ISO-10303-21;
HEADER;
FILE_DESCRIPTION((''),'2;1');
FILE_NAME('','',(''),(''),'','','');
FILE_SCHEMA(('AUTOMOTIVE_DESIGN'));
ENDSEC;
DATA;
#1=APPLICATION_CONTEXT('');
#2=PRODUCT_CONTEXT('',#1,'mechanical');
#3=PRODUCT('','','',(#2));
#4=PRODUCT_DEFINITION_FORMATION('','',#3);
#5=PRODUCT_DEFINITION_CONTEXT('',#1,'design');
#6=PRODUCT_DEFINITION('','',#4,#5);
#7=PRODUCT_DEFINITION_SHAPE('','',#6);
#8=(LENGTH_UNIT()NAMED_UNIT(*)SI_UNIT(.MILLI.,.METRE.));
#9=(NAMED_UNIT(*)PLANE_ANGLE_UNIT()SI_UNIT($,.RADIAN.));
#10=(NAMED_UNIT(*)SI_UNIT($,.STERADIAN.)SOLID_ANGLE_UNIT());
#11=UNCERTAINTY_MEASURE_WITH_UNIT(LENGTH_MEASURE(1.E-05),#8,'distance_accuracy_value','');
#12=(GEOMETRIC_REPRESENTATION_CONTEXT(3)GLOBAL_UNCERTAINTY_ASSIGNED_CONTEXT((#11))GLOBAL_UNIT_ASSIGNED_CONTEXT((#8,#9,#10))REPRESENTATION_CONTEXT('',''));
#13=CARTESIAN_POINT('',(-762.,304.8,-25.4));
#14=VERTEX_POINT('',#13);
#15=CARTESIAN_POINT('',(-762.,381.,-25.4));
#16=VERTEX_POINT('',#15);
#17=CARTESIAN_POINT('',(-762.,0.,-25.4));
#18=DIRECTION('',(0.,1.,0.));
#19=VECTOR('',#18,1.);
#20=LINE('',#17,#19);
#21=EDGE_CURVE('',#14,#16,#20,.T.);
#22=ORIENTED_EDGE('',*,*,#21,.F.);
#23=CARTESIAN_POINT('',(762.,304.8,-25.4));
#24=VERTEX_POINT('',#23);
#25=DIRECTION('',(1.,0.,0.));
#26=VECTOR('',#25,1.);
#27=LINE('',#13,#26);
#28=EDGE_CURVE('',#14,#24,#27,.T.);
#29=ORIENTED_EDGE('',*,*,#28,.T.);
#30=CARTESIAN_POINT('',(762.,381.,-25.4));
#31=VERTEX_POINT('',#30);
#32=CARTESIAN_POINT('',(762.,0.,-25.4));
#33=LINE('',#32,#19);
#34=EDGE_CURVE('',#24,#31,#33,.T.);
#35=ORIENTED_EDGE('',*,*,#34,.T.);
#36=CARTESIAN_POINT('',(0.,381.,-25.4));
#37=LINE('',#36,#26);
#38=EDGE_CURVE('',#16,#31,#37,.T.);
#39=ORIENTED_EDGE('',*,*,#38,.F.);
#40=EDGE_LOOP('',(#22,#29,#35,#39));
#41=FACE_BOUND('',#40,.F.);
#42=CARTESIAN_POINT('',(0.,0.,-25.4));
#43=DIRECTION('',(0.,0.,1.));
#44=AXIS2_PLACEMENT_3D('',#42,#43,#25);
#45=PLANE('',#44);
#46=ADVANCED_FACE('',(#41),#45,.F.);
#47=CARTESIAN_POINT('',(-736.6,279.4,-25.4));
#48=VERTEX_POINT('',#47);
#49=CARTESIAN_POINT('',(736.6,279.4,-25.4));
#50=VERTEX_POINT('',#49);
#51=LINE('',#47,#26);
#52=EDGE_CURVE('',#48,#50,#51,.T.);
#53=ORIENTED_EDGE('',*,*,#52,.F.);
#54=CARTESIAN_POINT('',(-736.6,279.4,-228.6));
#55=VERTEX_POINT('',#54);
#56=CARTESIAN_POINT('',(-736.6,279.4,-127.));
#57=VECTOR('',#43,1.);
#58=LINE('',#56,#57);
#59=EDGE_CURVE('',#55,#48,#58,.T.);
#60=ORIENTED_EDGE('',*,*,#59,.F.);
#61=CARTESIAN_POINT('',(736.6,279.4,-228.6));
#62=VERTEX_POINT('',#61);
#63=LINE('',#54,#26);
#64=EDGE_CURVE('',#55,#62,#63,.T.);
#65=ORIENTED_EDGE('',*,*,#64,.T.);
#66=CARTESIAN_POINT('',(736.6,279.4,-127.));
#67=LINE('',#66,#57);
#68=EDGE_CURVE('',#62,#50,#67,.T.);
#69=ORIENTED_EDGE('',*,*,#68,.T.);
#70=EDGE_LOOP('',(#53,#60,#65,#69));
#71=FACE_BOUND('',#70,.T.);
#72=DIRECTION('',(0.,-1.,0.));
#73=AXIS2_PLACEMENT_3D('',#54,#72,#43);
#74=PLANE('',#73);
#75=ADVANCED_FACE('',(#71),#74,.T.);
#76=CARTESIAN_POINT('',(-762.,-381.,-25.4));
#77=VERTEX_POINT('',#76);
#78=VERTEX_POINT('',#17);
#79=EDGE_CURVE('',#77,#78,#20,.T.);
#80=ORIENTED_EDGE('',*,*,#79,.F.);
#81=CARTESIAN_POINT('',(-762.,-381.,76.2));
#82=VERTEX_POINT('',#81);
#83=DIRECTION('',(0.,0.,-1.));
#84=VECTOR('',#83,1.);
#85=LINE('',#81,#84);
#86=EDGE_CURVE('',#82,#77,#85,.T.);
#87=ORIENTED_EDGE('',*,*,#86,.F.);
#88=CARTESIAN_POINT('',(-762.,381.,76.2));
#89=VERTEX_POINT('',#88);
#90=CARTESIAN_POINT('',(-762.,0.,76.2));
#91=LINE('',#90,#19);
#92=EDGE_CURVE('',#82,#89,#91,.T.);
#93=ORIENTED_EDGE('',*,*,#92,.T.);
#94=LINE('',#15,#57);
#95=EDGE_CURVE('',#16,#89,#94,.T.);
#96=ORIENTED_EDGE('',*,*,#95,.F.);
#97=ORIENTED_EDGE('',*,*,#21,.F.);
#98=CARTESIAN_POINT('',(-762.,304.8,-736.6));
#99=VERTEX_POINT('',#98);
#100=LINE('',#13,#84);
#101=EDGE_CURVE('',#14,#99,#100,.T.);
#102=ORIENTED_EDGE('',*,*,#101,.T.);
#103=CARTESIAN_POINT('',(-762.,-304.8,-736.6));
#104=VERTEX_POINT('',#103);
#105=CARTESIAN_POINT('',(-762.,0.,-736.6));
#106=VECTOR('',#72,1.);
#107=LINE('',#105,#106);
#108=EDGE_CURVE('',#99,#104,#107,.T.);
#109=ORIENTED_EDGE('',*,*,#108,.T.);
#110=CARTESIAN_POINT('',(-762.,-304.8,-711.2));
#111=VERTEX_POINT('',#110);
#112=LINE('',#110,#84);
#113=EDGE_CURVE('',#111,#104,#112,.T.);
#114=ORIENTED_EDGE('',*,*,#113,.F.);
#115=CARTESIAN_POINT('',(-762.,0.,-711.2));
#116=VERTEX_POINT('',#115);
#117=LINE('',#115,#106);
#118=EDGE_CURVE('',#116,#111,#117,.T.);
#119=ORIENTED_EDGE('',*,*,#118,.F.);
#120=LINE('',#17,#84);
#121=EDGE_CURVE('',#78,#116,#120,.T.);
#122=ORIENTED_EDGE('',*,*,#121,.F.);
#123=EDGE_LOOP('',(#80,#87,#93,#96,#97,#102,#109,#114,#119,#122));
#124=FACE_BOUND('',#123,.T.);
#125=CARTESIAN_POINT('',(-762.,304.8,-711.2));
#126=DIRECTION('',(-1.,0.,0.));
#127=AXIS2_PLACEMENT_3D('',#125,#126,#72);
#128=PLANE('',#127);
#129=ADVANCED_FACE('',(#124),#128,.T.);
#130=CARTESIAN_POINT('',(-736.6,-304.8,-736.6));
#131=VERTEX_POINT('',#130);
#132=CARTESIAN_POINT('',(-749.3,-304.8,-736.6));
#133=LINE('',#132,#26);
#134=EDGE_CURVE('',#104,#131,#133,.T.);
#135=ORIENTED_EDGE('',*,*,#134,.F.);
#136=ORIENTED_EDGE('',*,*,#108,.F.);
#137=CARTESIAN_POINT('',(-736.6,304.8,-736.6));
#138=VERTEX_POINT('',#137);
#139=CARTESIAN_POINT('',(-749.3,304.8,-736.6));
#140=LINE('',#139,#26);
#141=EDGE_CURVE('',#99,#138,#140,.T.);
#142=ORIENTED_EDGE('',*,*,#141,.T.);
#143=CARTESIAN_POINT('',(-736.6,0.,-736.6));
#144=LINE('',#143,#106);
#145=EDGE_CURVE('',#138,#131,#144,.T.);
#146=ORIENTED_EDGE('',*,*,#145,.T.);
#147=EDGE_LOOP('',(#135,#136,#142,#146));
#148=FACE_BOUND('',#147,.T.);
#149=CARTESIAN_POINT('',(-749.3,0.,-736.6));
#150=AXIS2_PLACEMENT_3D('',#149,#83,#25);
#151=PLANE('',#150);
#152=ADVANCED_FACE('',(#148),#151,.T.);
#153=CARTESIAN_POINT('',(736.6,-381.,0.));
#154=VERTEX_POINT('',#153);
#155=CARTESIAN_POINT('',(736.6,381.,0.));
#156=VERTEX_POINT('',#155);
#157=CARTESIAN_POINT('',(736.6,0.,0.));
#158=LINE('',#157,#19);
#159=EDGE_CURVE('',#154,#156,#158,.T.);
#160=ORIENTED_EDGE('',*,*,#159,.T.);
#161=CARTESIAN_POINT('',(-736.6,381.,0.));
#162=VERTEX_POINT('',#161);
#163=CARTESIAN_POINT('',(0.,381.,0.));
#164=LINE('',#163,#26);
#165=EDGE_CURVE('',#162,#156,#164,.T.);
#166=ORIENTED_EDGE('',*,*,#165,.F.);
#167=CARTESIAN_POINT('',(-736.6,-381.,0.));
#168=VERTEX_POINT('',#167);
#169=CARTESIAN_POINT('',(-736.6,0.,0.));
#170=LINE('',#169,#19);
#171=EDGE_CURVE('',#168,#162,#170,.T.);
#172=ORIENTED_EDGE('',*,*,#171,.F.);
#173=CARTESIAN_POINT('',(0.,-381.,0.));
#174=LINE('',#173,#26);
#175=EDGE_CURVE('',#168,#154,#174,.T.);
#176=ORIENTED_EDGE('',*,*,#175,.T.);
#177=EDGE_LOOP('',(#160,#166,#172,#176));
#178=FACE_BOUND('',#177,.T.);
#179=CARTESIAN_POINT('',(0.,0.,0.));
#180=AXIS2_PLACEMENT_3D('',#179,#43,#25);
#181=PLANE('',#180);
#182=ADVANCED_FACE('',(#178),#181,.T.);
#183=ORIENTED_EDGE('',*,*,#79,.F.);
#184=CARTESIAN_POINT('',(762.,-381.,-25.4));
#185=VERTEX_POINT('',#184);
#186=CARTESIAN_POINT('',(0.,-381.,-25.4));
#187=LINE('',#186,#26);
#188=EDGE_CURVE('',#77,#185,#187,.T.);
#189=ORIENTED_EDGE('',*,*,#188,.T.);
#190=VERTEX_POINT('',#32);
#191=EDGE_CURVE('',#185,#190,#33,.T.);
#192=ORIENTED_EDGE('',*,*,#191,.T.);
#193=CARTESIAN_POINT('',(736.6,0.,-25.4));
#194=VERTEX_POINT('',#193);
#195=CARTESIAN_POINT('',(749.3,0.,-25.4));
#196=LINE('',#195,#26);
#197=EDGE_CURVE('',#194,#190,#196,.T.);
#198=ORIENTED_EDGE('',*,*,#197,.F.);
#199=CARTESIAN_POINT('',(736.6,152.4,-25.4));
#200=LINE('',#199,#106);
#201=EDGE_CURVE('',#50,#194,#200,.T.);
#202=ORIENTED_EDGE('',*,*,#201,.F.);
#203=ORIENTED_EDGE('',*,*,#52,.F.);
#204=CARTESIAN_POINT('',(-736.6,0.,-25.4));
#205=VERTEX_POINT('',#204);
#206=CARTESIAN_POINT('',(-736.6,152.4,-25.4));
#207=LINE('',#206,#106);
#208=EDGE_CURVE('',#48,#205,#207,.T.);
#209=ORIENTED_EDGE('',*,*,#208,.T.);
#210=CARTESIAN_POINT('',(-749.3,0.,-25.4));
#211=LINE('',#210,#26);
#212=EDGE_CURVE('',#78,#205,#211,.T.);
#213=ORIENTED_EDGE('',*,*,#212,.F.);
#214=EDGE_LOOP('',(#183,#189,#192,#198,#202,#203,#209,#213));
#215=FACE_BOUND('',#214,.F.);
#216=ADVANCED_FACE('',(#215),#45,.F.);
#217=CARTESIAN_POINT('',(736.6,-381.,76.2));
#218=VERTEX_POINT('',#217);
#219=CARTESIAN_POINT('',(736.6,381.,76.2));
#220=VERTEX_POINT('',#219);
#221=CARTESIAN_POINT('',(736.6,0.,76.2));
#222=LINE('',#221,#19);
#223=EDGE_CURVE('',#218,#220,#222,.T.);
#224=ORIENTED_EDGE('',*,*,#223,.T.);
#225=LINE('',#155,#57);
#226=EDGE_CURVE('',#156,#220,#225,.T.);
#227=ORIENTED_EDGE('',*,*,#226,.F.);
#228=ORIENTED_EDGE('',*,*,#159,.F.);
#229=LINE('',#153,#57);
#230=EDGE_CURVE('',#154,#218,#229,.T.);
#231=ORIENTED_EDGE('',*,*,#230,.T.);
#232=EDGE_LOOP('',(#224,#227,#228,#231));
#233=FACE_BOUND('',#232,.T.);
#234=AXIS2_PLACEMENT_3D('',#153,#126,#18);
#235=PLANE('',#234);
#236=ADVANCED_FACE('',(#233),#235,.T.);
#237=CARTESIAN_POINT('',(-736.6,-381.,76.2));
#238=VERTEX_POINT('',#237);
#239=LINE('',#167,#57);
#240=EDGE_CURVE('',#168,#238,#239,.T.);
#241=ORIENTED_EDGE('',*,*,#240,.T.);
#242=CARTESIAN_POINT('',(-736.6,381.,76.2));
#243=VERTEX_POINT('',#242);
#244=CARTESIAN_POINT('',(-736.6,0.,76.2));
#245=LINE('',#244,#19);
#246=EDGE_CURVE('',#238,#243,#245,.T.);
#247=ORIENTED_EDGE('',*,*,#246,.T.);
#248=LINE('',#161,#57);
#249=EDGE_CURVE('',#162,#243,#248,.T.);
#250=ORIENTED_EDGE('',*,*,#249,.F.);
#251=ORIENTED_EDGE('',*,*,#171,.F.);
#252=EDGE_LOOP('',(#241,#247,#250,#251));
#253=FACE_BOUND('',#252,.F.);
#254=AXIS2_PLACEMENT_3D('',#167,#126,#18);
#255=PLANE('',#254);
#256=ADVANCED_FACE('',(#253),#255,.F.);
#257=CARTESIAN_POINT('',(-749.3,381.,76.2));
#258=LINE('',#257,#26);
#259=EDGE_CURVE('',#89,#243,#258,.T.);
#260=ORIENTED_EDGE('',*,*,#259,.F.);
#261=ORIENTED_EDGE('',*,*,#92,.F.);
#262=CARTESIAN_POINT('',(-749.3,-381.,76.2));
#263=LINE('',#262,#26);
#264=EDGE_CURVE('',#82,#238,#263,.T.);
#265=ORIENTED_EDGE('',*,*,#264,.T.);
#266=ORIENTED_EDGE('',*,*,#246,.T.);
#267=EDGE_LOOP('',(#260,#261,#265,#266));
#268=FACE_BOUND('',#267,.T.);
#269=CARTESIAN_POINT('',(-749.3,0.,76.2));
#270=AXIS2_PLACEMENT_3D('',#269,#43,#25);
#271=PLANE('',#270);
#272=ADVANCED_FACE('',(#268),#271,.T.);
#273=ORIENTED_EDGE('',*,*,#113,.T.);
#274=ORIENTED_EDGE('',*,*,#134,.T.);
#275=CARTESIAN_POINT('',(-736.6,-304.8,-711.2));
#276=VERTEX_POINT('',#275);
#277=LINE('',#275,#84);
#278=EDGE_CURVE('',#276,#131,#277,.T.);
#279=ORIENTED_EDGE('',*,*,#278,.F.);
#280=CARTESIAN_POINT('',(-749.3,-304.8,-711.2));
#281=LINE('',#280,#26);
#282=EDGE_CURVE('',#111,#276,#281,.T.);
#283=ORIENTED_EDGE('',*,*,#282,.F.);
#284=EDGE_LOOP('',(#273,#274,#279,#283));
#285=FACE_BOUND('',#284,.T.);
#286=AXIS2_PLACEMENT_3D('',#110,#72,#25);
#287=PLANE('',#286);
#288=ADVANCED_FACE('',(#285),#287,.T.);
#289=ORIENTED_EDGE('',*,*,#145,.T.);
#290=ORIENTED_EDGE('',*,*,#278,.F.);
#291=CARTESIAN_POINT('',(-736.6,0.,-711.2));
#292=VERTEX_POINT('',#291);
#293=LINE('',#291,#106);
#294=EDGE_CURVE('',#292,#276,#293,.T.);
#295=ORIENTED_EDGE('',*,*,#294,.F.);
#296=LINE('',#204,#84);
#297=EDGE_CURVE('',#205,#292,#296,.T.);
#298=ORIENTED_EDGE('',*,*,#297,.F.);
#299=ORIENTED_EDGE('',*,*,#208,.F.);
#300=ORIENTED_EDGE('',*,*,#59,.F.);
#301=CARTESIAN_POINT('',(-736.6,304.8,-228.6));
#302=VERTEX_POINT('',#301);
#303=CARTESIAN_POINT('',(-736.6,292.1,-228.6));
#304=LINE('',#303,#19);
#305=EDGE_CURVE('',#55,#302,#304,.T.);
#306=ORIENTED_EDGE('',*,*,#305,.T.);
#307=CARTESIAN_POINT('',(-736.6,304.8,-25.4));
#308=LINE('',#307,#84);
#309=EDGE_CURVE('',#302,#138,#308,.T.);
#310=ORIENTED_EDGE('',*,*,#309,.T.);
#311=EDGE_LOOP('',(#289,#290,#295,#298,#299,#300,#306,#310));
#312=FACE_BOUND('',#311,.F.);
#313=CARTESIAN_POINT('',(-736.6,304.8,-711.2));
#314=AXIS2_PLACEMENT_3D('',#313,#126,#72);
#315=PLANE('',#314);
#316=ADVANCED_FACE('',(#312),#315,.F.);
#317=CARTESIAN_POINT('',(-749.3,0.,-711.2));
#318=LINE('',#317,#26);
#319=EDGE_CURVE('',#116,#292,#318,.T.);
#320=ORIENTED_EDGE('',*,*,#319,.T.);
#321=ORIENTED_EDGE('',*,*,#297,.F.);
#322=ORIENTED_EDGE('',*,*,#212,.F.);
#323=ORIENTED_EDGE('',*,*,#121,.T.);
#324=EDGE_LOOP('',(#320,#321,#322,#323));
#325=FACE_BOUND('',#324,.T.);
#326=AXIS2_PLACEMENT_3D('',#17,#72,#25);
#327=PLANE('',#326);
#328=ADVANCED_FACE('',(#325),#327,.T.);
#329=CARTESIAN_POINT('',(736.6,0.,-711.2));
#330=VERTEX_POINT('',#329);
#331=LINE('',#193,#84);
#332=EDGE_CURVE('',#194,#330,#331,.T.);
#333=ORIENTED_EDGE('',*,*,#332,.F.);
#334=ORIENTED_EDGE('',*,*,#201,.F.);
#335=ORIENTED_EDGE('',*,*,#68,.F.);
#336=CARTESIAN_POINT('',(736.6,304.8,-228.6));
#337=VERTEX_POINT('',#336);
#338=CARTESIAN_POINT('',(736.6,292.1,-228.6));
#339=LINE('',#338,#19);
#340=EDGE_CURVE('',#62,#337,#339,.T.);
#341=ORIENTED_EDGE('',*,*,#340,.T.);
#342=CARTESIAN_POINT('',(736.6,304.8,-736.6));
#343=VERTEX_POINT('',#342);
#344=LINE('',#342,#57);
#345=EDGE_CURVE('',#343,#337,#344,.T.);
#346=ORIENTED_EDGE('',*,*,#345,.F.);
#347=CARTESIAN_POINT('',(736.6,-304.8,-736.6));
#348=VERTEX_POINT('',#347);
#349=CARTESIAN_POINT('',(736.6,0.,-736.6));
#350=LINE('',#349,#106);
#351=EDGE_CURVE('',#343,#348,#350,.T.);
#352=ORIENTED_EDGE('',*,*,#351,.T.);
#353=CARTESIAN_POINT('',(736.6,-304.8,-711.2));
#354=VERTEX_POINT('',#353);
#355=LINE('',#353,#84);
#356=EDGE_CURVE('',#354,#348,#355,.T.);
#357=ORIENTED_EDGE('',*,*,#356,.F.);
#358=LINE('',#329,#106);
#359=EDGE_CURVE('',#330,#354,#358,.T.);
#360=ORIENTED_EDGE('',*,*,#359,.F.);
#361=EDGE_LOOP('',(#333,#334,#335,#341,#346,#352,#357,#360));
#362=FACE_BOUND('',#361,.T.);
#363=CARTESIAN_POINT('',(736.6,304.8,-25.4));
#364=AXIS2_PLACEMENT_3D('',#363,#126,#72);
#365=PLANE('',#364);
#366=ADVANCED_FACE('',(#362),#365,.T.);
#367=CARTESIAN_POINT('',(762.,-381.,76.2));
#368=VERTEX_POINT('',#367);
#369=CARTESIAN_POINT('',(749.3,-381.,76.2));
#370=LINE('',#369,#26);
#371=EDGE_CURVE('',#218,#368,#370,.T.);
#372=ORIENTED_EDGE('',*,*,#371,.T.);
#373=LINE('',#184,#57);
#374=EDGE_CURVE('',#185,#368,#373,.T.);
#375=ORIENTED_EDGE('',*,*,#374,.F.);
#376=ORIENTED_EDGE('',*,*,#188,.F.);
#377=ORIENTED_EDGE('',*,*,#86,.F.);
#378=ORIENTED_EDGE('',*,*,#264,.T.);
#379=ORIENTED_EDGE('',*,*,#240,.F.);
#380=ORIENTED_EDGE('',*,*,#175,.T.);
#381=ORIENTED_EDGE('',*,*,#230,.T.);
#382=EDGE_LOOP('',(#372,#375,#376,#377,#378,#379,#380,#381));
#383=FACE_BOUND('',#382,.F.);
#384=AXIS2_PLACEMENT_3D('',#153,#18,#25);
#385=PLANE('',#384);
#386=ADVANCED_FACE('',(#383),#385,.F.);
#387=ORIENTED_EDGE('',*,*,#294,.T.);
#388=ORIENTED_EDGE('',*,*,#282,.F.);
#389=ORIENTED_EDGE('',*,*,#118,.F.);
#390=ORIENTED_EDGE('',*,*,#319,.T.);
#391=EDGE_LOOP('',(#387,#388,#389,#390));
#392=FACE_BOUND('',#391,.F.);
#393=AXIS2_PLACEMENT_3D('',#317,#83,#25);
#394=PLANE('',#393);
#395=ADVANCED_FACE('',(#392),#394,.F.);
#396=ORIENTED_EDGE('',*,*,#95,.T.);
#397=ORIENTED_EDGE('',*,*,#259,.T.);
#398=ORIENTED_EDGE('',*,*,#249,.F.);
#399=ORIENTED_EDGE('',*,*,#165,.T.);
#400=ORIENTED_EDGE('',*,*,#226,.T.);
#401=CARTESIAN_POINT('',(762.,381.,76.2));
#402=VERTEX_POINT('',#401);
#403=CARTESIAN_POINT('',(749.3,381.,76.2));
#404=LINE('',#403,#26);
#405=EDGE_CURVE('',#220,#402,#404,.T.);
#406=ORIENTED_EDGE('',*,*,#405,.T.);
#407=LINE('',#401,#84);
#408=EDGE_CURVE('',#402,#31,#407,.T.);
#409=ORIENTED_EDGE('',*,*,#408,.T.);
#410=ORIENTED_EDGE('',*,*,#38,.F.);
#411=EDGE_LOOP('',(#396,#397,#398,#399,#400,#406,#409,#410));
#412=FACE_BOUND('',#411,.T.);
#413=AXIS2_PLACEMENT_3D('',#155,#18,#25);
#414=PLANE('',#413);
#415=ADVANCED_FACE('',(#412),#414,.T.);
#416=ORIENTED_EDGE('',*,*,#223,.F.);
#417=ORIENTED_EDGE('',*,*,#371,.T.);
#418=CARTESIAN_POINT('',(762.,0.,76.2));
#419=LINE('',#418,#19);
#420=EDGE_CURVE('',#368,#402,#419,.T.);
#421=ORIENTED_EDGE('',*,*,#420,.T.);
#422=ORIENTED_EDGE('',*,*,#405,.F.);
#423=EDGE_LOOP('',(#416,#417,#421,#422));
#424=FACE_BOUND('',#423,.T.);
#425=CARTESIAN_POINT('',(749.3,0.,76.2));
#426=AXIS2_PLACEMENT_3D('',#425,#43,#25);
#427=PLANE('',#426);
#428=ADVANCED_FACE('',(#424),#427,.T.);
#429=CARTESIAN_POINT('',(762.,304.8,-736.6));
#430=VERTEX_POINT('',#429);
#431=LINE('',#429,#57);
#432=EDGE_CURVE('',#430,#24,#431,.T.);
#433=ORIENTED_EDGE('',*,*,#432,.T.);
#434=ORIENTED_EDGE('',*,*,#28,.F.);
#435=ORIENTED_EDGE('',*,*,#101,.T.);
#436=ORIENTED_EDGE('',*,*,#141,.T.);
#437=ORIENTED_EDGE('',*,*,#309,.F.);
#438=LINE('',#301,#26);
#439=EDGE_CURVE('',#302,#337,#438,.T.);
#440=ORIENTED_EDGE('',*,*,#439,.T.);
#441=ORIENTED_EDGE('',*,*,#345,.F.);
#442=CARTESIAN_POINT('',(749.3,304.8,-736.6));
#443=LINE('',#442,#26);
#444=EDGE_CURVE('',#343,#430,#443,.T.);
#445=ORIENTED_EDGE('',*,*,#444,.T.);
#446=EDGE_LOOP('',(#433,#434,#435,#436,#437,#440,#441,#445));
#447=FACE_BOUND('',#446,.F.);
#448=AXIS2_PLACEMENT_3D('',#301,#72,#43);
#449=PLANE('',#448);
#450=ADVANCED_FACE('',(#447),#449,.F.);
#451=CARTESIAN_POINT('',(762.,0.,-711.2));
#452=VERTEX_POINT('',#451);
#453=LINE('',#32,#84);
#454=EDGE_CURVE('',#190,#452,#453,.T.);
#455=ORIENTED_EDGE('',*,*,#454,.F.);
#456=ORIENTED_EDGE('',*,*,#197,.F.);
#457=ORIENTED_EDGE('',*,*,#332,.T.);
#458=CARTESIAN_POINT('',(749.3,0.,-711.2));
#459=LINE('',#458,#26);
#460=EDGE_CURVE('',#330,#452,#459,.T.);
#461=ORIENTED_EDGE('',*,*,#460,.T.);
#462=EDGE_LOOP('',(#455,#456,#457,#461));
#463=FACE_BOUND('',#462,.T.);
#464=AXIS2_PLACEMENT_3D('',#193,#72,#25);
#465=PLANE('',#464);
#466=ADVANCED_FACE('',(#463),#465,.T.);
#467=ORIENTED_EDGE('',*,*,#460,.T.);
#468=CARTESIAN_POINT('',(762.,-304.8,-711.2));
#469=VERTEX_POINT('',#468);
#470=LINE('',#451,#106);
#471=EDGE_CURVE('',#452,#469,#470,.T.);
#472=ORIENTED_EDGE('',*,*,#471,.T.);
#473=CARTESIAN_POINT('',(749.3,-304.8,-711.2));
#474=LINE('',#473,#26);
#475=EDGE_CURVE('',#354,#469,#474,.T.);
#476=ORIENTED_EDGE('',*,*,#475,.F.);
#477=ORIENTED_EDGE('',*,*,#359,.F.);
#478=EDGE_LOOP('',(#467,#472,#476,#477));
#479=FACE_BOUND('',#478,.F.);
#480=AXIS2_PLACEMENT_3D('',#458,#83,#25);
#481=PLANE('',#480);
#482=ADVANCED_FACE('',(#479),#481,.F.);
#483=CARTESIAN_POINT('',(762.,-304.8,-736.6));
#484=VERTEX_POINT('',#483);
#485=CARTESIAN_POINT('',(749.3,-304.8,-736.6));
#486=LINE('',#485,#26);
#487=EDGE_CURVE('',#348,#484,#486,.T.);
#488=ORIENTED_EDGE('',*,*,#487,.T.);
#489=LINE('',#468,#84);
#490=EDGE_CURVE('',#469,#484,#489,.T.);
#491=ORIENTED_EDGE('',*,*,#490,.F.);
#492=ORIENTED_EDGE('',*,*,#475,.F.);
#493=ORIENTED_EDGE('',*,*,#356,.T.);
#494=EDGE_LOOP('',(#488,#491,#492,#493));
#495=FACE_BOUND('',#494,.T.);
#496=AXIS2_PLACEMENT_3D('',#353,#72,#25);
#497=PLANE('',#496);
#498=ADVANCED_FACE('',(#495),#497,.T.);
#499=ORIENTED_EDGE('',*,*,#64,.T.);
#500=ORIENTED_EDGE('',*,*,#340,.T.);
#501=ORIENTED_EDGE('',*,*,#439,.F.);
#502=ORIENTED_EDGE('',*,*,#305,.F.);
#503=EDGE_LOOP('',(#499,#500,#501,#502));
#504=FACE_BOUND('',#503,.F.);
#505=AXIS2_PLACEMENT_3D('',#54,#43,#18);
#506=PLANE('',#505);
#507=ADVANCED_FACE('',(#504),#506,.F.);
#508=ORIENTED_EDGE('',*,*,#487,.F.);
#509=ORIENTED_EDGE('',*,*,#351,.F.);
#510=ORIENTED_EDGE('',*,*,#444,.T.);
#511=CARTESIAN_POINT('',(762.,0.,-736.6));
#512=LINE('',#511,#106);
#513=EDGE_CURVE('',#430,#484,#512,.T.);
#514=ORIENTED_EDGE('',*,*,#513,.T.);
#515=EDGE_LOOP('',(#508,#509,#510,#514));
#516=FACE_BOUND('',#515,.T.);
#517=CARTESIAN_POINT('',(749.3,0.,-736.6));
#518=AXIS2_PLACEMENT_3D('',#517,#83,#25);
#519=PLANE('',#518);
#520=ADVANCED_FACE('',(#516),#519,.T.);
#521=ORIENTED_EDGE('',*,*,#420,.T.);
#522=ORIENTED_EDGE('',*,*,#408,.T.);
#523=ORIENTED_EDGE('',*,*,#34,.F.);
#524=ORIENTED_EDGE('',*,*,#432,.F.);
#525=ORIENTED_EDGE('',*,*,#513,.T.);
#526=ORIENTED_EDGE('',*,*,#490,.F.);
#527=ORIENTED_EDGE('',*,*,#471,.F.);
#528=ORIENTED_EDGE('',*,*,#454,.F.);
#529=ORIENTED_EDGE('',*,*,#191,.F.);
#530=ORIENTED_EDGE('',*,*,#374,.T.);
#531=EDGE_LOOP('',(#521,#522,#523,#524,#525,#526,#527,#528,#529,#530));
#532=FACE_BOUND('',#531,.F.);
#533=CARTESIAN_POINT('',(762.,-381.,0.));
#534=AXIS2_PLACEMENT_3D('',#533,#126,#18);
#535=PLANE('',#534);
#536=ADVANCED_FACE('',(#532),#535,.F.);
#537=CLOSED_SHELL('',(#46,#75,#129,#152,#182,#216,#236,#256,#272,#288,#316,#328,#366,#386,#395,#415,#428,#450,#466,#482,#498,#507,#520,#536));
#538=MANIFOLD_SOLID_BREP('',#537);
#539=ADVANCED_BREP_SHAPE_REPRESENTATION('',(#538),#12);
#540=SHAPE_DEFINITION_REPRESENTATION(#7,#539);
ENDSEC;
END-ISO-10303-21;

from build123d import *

# Parameters (mm, degrees)
F0_W      = 1524
F0_H      = 762
F1_DEPTH  = 25.4
F2_W      = 25.4
F2_H      = 304.8
F3_DEPTH  = 685.8
F5_W      = 25.4
F5_H      = 609.6
F4_W      = 25.4
F4_H      = 609.6
F6_DEPTH  = 25.4
F7_W      = 25.4
F7_H      = 203.2
F8_DEPTH  = 1473.2
F9_W      = 25.4
F9_H      = 762
F10_DEPTH = 76.2


with BuildPart() as f1:
    # F0 (on Top) → F1 (new body)
    with BuildSketch(Plane.XY):
        Rectangle(F0_W, F0_H)
    extrude(amount=-F1_DEPTH)

    # F2 (on face) → F3 (join)
    with BuildSketch(Plane(origin=(0, 0, -25.4), x_dir=(1, 0, 0), z_dir=(0, 0, -1))):
        with Locations((749.3, -152.4)):
            Rectangle(F2_W, F2_H)
        with Locations((-749.3, -152.4)):
            Rectangle(F2_W, F2_H)
    extrude(amount=F3_DEPTH)

    # F5 (on face) + F4 (on face) → F6 (join)
    with BuildSketch(Plane(origin=(0, 0, -711.2), x_dir=(1, 0, 0), z_dir=(0, 0, -1))):
        with Locations((-749.3, 0)):
            Rectangle(F5_W, F5_H)
    with BuildSketch(Plane(origin=(0, 0, -711.2), x_dir=(1, 0, 0), z_dir=(0, 0, -1))):
        with Locations((749.3, 0)):
            Rectangle(F4_W, F4_H)
    extrude(amount=F6_DEPTH)

    # F7 (on face) → F8 (join, through all)
    with BuildSketch(Plane.YZ.offset(-736.6)):
        with Locations((292.1, -127)):
            Rectangle(F7_W, F7_H)
    extrude(amount=F8_DEPTH)

    # F9 (on face) → F10 (join)
    with BuildSketch(Plane.XY):
        with Locations((749.3, 0)):
            Rectangle(F9_W, F9_H)
        with Locations((-749.3, 0)):
            Rectangle(F9_W, F9_H)
    extrude(amount=F10_DEPTH)


solid = f1.part
